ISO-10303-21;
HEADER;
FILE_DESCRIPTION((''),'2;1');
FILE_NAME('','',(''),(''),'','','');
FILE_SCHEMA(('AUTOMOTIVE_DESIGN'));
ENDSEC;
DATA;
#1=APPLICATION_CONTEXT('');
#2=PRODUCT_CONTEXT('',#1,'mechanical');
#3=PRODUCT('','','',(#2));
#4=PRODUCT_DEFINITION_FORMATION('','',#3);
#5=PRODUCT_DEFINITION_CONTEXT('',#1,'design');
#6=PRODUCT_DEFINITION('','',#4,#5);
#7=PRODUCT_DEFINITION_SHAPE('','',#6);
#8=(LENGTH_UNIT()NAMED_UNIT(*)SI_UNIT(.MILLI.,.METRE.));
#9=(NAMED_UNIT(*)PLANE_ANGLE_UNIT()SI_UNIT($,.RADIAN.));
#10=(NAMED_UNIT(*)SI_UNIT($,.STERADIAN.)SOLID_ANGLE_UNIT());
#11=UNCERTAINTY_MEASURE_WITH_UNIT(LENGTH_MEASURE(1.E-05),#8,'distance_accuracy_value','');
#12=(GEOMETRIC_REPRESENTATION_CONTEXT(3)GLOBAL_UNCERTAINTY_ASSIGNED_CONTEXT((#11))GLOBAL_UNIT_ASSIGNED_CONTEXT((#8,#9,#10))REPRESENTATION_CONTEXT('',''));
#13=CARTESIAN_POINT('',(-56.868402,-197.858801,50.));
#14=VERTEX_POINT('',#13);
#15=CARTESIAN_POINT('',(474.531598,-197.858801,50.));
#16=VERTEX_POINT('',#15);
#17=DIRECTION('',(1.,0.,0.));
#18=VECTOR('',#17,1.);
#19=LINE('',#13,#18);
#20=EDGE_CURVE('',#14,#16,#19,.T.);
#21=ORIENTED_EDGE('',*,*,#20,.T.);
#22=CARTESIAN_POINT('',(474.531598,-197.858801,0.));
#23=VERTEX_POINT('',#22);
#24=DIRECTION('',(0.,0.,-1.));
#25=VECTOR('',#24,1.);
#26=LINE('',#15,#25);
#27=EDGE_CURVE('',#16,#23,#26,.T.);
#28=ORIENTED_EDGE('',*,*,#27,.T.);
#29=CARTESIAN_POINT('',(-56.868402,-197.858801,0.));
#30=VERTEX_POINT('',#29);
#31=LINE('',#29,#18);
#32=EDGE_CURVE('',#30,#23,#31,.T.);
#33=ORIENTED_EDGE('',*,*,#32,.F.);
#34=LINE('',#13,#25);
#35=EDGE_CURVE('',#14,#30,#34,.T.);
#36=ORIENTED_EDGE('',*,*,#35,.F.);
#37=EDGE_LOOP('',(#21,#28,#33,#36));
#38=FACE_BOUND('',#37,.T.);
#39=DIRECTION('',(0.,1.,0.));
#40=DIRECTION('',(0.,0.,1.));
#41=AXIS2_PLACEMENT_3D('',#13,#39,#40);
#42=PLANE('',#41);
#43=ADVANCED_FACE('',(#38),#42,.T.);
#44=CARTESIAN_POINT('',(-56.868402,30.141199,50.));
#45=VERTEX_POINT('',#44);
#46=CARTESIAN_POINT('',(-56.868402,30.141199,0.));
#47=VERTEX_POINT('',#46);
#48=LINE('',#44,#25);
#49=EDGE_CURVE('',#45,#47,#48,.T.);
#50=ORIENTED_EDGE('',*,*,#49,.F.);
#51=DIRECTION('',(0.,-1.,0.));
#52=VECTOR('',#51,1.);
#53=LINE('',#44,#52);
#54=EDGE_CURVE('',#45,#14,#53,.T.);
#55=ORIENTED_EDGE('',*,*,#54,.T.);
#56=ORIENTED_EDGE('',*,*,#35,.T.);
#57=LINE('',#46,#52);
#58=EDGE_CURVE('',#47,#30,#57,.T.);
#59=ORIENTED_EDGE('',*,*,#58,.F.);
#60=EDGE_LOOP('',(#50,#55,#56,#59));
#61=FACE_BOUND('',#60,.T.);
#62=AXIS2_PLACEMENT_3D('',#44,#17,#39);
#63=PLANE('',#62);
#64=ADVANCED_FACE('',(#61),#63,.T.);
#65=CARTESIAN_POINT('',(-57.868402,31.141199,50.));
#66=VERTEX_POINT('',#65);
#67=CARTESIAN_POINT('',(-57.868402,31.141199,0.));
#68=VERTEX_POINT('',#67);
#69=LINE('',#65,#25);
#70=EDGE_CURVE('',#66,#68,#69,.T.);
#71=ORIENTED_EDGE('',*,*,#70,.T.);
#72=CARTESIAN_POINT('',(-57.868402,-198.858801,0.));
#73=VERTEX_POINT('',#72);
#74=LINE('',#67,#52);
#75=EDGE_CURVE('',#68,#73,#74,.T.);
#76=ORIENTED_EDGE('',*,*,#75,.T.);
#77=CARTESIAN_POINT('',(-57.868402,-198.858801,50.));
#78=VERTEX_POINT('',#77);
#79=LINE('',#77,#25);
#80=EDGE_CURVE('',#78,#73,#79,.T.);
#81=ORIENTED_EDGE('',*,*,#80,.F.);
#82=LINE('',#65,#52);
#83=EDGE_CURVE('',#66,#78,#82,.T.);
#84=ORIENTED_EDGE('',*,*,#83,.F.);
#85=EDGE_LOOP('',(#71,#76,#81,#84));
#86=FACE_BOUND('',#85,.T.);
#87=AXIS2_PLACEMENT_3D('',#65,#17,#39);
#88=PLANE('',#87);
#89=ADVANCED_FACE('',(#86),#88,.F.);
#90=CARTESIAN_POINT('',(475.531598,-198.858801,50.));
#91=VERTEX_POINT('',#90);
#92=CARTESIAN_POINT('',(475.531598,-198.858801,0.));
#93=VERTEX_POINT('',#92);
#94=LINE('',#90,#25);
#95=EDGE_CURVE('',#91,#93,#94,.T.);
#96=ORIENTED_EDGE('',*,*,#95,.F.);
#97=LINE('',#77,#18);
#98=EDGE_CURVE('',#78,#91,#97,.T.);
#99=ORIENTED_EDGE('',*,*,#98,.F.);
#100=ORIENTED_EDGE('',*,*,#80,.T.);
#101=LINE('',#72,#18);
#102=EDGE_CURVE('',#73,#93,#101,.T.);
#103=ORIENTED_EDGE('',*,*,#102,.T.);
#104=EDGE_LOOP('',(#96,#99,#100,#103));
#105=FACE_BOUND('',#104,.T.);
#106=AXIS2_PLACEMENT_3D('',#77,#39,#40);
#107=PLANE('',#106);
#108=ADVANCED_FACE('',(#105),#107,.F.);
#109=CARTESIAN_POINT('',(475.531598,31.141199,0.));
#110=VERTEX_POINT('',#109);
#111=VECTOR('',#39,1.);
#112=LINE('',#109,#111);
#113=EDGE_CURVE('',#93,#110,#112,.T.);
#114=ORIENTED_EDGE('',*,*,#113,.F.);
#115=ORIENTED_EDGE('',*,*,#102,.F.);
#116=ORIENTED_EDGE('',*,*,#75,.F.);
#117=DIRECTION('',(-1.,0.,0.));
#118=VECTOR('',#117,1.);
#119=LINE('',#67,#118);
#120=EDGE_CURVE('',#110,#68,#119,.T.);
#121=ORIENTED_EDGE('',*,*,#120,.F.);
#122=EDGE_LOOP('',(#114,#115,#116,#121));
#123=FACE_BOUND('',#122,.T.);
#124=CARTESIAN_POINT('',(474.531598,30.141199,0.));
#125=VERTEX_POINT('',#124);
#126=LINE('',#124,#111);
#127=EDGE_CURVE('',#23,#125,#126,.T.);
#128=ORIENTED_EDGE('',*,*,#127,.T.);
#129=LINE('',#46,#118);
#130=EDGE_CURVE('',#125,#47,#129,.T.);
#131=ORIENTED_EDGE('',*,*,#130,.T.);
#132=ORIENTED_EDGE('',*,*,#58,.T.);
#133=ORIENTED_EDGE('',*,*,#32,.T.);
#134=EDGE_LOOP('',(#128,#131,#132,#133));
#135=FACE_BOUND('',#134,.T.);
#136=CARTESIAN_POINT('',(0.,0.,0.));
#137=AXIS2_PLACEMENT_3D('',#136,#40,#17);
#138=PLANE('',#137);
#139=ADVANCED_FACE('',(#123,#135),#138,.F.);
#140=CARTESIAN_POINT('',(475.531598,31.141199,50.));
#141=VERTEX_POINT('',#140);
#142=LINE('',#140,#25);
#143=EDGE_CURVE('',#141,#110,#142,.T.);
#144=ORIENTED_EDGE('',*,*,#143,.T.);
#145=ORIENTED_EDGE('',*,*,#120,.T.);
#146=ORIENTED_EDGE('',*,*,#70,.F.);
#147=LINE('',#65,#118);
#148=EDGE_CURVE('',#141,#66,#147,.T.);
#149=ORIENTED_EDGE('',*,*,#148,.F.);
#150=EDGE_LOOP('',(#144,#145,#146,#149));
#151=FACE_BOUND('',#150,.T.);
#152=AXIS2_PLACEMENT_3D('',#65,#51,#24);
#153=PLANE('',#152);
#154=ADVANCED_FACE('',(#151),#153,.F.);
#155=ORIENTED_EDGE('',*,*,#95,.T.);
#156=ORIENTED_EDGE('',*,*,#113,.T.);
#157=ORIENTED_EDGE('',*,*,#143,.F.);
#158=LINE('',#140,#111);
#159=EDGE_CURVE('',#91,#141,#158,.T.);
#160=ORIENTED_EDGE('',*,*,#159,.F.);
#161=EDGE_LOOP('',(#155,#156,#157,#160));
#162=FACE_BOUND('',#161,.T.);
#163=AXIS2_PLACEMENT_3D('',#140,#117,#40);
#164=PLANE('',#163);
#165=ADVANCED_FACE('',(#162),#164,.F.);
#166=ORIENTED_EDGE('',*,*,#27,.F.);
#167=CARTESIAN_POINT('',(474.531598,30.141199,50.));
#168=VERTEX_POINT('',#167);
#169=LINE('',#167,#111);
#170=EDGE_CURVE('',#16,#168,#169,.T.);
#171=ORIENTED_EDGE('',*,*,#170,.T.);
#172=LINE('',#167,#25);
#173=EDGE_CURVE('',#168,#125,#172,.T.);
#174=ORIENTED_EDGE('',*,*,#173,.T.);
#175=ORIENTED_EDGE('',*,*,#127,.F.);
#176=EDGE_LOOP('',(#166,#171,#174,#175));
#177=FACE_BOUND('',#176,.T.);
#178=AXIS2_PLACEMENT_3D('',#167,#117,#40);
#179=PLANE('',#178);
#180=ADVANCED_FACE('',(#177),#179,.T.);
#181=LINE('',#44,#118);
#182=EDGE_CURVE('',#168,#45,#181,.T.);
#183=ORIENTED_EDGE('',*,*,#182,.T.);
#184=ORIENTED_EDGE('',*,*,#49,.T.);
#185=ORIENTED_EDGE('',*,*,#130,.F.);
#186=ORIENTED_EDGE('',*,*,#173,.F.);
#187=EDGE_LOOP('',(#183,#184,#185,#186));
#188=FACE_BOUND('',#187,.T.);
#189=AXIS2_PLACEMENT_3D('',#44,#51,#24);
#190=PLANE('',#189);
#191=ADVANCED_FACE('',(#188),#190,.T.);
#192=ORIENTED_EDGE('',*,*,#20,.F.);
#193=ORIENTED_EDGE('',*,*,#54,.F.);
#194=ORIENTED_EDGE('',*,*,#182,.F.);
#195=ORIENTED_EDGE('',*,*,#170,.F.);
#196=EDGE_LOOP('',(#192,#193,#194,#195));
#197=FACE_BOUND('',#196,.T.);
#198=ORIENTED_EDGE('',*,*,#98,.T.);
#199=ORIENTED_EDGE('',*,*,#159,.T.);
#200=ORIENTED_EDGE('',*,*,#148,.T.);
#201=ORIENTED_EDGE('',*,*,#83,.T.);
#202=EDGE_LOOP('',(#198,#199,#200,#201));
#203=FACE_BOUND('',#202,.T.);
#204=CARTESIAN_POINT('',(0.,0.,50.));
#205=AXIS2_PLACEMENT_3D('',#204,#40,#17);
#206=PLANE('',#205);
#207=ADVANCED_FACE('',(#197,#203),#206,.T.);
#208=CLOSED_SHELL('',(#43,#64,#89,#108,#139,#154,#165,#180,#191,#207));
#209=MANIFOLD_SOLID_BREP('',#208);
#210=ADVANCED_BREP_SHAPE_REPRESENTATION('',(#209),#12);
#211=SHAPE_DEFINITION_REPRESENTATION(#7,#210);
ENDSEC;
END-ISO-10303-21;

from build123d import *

# Parameters (mm, degrees)
SKETCH1_W           = 533.4
SKETCH1_H           = 230
SKETCH1_W_2         = 531.4
SKETCH1_H_2         = 228
BOSS_EXTRUDE1_DEPTH = 50


with BuildPart() as part:
    # Sketch1 → Boss-Extrude1 (new body)
    with BuildSketch(Plane.XY):
        with Locations((208.831597967, -83.858800774)):
            Rectangle(SKETCH1_W, SKETCH1_H)
        with Locations((208.831597967, -83.858800774)):
            Rectangle(SKETCH1_W_2, SKETCH1_H_2, mode=Mode.SUBTRACT)
    extrude(amount=BOSS_EXTRUDE1_DEPTH)


solid = part.part
